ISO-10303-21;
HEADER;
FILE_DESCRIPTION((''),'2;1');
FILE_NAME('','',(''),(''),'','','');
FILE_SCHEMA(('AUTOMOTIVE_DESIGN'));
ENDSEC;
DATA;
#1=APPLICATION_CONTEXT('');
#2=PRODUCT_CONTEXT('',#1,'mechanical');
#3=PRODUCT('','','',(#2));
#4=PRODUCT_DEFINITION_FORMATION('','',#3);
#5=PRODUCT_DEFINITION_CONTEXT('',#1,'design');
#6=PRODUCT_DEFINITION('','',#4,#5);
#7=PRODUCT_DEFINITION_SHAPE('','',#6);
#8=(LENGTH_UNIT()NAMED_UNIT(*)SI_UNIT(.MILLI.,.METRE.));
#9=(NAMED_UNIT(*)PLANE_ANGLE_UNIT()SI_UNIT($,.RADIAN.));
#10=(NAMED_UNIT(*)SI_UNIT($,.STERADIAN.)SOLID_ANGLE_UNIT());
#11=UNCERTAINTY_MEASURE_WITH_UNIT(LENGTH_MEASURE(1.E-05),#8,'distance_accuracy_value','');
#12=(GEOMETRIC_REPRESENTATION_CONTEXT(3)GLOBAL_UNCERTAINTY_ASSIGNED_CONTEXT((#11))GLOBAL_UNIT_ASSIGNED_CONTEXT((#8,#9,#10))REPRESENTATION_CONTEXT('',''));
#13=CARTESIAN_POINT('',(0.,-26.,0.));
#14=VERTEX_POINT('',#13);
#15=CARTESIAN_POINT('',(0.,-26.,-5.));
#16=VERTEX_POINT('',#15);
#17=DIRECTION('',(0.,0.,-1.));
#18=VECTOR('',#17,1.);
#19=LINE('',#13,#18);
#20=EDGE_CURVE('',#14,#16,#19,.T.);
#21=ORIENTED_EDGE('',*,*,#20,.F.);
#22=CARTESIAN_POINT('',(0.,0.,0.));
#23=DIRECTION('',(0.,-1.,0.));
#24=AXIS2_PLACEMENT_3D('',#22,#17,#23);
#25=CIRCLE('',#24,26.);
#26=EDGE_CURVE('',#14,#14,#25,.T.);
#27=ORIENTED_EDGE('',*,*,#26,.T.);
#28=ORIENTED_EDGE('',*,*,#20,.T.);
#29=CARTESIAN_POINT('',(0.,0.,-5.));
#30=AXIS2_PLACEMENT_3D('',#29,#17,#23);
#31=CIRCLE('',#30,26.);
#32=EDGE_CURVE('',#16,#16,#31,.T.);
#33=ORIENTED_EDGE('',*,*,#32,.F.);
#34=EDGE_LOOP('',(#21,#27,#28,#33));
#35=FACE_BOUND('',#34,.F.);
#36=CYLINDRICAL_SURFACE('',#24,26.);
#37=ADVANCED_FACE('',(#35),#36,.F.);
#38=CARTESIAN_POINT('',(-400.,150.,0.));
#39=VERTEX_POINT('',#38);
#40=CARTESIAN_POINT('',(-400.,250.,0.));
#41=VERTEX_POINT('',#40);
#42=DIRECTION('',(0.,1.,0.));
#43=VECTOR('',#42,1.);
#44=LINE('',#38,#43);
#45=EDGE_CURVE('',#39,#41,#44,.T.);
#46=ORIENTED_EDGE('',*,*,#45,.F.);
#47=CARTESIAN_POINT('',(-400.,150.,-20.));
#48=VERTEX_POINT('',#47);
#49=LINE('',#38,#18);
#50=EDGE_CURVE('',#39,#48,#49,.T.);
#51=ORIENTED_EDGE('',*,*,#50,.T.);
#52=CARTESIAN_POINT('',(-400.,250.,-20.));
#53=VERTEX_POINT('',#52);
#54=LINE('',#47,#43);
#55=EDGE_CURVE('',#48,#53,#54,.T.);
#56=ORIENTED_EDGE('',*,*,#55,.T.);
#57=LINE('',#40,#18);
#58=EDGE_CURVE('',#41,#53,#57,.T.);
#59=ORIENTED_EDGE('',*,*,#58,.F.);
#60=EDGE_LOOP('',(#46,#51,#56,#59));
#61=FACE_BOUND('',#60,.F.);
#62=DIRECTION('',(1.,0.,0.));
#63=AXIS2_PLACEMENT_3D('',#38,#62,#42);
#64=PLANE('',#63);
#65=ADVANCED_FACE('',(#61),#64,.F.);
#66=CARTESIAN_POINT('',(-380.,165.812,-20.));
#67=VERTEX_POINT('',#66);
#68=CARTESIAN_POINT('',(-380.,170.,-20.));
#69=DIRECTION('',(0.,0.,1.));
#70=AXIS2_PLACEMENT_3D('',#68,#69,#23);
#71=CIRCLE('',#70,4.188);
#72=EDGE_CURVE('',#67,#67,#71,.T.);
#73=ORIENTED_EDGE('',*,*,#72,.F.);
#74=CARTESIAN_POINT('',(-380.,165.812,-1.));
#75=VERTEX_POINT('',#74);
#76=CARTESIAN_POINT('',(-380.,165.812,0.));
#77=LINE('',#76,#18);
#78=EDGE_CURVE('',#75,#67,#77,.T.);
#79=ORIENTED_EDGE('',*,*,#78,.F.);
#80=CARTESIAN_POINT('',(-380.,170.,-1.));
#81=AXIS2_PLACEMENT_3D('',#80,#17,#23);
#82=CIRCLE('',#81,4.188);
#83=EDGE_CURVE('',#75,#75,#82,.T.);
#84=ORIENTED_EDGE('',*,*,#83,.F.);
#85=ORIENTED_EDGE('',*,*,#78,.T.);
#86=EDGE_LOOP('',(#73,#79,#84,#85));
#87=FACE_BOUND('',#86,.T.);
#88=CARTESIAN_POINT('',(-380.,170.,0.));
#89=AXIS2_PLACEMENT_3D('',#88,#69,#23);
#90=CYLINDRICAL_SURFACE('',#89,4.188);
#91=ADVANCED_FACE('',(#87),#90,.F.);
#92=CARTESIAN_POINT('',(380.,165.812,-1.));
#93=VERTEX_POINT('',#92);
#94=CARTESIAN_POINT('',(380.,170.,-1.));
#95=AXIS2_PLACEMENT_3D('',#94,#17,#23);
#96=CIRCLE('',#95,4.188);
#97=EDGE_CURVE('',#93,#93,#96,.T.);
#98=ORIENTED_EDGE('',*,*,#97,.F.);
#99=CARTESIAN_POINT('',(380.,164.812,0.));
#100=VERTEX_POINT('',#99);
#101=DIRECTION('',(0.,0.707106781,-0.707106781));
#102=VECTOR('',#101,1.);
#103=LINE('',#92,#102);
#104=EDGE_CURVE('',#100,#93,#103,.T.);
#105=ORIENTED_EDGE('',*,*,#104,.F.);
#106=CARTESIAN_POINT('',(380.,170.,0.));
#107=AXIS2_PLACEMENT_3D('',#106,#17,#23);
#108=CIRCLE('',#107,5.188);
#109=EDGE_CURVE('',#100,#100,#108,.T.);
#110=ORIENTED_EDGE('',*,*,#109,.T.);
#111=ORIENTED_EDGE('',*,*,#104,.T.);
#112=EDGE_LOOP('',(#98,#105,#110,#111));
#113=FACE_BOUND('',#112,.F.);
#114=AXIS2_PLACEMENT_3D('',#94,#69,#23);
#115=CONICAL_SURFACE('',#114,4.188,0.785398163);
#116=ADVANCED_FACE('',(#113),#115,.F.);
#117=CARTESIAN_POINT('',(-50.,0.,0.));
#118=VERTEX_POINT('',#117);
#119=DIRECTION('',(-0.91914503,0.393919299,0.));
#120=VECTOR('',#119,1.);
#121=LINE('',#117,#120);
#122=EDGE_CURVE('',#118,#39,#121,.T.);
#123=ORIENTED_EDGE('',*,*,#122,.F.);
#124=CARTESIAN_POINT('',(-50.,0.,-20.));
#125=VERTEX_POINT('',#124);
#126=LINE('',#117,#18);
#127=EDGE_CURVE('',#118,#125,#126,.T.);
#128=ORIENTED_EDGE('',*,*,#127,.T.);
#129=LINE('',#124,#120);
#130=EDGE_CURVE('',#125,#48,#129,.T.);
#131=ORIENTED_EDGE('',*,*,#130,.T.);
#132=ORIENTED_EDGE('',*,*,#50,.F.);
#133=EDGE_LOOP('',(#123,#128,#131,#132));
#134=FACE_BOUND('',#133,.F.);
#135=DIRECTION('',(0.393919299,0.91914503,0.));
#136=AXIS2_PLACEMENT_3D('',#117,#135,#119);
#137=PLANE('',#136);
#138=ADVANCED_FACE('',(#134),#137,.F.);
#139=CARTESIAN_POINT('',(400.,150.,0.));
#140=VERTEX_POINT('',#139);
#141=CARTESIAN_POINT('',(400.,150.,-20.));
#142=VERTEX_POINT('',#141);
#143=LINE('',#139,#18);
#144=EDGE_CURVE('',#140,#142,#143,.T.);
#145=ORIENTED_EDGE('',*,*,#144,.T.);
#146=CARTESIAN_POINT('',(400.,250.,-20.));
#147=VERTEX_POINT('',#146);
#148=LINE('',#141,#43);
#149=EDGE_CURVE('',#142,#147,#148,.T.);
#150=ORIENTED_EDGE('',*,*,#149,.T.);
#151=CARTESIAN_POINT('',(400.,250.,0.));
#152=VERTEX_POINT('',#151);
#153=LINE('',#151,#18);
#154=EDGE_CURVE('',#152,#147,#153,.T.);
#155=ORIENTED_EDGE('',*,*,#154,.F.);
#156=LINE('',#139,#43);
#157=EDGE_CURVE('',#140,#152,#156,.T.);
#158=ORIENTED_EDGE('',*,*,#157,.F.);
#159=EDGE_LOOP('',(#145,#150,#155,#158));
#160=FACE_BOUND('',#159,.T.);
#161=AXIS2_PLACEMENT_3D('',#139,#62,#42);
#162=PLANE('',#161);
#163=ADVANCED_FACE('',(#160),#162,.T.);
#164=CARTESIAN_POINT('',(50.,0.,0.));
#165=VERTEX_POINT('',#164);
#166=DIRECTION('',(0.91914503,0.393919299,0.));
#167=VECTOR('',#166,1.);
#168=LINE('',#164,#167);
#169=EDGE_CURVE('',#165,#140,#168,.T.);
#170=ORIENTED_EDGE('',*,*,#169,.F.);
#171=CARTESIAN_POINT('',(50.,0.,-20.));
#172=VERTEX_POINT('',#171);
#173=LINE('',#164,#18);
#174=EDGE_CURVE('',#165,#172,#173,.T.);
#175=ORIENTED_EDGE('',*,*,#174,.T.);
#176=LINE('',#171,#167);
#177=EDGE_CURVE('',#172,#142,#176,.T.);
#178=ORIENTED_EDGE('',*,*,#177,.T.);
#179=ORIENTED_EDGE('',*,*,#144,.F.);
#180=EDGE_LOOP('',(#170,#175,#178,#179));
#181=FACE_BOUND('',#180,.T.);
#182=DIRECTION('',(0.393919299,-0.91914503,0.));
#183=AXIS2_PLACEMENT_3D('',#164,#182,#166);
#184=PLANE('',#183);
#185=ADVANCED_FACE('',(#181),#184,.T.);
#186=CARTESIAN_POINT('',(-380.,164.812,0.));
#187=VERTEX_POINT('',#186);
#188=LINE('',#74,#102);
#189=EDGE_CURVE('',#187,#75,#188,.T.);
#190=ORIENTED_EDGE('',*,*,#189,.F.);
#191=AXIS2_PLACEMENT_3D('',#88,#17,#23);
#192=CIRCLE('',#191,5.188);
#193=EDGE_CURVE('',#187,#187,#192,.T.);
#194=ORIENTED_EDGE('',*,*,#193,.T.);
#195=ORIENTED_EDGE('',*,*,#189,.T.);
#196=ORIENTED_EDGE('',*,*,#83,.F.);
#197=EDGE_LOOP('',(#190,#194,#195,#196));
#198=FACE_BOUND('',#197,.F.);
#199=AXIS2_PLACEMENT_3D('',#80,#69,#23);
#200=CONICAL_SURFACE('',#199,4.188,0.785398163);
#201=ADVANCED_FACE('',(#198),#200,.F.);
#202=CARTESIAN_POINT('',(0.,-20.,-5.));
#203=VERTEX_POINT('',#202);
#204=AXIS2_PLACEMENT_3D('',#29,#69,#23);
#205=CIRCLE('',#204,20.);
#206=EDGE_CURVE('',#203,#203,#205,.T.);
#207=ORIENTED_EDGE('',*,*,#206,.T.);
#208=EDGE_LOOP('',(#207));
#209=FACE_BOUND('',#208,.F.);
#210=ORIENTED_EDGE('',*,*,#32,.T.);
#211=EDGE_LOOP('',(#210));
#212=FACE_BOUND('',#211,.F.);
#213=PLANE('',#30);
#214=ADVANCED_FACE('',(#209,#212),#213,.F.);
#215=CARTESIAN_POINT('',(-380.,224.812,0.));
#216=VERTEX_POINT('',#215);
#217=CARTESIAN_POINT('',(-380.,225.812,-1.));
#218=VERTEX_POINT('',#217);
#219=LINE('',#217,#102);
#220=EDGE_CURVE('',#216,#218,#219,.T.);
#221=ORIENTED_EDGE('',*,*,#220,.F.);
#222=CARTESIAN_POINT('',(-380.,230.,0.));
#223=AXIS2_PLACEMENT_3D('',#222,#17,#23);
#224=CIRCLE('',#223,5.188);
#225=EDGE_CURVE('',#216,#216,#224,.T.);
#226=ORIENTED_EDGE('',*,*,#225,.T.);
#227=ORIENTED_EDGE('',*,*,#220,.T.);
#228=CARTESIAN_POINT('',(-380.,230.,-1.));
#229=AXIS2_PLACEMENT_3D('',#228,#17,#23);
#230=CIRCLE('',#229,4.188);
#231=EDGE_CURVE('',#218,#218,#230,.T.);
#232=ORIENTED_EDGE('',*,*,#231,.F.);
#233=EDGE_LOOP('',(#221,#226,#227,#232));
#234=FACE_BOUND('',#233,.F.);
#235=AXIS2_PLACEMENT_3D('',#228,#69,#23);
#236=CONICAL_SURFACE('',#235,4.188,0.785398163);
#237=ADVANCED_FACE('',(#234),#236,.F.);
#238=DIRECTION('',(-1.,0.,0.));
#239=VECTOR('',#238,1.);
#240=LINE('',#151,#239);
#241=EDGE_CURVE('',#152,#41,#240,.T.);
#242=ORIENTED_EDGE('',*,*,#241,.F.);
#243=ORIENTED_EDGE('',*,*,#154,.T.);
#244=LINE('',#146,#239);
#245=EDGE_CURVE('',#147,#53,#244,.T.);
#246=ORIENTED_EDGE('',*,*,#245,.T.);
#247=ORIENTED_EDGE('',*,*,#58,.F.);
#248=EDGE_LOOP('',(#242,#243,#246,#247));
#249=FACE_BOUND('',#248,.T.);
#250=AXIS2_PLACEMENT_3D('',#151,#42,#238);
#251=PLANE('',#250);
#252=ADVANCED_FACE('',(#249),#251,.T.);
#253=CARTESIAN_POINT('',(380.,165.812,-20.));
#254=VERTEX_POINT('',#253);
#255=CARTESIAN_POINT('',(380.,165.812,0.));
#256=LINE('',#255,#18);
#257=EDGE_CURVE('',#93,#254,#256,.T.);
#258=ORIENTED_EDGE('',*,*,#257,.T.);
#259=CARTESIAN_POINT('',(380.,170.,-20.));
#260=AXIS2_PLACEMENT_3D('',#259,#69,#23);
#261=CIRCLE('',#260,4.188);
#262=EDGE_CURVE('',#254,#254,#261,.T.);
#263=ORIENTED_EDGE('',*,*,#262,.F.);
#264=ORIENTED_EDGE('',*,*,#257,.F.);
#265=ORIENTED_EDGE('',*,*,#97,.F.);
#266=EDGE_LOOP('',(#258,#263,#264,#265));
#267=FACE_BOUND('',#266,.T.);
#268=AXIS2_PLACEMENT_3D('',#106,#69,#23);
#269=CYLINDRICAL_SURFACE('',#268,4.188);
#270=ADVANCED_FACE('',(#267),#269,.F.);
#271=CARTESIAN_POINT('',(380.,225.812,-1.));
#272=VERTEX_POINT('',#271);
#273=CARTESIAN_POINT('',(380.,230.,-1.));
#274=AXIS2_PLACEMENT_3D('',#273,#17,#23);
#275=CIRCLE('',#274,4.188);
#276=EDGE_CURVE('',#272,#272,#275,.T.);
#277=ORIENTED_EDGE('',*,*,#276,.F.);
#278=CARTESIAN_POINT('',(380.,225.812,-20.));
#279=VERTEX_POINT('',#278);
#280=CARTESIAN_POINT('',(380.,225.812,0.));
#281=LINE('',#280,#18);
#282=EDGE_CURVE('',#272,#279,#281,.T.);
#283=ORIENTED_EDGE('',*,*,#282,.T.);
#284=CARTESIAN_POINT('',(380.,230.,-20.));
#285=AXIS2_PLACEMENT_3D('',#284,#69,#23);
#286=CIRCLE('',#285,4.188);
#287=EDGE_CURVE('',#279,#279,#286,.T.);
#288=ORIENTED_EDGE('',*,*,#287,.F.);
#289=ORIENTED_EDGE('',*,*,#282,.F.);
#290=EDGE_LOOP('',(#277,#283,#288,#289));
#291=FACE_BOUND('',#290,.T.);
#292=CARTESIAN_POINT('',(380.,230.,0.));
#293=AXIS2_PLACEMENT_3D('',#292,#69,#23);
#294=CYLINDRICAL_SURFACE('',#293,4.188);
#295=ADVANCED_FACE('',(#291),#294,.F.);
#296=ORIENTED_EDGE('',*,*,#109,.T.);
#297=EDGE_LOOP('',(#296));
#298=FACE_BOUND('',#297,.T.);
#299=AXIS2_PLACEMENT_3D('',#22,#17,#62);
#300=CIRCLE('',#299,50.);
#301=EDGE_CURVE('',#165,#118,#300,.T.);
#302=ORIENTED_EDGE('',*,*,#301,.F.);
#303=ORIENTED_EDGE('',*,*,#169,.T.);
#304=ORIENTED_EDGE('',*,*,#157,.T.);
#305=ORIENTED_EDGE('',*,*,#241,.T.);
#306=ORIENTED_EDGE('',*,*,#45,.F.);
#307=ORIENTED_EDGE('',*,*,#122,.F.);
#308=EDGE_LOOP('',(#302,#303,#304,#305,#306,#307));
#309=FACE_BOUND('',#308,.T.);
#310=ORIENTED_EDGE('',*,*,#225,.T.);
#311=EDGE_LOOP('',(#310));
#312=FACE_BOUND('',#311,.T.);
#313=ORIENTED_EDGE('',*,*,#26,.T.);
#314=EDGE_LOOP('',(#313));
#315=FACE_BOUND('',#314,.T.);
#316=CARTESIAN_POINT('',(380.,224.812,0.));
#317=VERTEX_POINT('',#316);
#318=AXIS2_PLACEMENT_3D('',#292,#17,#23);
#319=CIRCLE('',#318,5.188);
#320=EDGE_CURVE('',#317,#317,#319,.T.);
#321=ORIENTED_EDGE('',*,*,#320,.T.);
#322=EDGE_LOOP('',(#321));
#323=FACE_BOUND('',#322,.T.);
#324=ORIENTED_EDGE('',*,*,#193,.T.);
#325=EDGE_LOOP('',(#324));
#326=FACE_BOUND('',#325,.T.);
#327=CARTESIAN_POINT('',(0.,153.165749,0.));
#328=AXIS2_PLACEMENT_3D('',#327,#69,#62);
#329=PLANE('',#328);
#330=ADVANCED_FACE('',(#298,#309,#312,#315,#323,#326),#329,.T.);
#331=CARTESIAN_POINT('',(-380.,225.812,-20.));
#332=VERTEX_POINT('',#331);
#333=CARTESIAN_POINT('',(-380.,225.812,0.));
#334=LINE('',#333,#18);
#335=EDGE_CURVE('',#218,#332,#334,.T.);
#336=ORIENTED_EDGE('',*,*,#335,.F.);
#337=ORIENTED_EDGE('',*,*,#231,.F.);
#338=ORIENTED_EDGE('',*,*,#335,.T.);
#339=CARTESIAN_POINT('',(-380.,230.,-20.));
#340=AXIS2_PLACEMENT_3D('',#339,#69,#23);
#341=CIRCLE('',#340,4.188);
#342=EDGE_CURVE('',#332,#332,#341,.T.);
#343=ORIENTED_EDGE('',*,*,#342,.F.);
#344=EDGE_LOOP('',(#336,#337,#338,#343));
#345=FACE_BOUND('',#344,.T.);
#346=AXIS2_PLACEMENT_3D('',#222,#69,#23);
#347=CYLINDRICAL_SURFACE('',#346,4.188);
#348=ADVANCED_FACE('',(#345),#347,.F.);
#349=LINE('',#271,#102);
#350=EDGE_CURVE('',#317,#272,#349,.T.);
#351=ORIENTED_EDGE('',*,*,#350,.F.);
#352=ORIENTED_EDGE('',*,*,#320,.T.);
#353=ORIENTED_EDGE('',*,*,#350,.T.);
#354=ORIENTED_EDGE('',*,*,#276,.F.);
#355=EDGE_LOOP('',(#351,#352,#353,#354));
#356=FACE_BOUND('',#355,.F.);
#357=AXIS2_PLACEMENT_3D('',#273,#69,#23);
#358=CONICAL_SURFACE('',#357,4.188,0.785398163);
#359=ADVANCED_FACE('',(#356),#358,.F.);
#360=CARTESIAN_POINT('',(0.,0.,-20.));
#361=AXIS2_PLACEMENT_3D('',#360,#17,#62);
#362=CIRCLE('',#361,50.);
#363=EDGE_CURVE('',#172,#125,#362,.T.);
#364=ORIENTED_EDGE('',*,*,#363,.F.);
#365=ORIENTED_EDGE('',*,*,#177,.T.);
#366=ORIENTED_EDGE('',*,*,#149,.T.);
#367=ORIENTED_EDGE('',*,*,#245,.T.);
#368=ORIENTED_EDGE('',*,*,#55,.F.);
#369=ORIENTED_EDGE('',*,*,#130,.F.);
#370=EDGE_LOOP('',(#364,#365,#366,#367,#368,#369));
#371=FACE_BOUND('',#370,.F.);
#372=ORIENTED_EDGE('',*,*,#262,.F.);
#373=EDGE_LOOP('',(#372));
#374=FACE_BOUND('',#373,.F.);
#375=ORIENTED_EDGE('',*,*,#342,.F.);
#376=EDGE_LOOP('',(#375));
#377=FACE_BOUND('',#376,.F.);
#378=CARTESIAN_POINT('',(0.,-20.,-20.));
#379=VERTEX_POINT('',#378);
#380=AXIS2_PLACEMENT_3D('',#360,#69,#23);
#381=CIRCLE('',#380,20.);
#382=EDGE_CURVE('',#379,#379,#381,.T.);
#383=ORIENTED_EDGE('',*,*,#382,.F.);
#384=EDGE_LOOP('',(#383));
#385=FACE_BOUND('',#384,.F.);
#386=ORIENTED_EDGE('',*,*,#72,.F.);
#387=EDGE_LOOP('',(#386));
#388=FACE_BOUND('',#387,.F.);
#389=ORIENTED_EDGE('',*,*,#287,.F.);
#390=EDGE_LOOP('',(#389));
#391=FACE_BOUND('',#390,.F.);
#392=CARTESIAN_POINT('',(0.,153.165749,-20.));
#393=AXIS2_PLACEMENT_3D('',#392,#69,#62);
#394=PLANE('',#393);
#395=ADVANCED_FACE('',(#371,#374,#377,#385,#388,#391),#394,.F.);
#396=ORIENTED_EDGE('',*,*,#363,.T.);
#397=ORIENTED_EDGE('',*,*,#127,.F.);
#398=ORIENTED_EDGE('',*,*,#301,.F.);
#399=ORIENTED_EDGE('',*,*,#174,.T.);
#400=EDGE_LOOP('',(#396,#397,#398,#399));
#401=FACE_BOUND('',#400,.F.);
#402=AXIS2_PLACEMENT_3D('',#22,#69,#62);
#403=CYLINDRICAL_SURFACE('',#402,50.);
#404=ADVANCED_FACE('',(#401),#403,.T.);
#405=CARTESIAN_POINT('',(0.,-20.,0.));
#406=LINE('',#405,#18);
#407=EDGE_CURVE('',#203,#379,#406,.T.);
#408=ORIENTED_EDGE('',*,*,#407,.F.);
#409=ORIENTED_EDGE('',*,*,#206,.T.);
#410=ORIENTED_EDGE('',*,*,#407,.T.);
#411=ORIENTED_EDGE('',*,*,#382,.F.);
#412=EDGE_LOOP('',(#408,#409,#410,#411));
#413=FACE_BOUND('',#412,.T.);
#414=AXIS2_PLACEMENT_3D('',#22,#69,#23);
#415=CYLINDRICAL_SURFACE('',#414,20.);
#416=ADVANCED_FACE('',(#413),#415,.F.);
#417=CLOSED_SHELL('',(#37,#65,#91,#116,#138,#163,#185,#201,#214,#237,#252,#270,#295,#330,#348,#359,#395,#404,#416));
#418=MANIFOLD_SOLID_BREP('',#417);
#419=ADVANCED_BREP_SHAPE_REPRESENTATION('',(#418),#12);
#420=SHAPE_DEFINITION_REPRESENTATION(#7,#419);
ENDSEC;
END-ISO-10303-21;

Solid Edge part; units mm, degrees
sketch "Sketch1" plane through (0, 0, 0) normal (0, 0, 1) x (1, 0, 0)
  line L0 (400, 250) -> (-400, 250)
  line L1 (-400, 150) -> (-400, 250)
  line L2 (-50, 0) -> (-400, 150)
  arc A0 (50, 0) -> (-50, 0) centre (0, 0) cw
  line L3 (50, 0) -> (400, 150)
  line L4 (400, 150) -> (400, 250)
extrude "Protrusion1" add sketch "Sketch1" against normal blind 20
hole "Bohrung_1" at (0, 0, 0) direction (0, 0, -1) diameter 40 end up to next
hole "Bohrung_2" at (0, 0, 0) direction (0, 0, -1) diameter 52 depth 5
hole "Bohrung_3" at (-380, 230, 0) direction (0, 0, -1) diameter 8.376 end up to next start chamfer 1 start chamfer angle 45
hole "Hole1" at (-380, 170, 0) direction (0, 0, -1) diameter 8.376 end up to next start chamfer 1 start chamfer angle 45
hole "Hole2" at (380, 170, 0) direction (0, 0, -1) diameter 8.376 end up to next start chamfer 1 start chamfer angle 45
hole "Hole3" at (380, 230, 0) direction (0, 0, -1) diameter 8.376 end up to next start chamfer 1 start chamfer angle 45
